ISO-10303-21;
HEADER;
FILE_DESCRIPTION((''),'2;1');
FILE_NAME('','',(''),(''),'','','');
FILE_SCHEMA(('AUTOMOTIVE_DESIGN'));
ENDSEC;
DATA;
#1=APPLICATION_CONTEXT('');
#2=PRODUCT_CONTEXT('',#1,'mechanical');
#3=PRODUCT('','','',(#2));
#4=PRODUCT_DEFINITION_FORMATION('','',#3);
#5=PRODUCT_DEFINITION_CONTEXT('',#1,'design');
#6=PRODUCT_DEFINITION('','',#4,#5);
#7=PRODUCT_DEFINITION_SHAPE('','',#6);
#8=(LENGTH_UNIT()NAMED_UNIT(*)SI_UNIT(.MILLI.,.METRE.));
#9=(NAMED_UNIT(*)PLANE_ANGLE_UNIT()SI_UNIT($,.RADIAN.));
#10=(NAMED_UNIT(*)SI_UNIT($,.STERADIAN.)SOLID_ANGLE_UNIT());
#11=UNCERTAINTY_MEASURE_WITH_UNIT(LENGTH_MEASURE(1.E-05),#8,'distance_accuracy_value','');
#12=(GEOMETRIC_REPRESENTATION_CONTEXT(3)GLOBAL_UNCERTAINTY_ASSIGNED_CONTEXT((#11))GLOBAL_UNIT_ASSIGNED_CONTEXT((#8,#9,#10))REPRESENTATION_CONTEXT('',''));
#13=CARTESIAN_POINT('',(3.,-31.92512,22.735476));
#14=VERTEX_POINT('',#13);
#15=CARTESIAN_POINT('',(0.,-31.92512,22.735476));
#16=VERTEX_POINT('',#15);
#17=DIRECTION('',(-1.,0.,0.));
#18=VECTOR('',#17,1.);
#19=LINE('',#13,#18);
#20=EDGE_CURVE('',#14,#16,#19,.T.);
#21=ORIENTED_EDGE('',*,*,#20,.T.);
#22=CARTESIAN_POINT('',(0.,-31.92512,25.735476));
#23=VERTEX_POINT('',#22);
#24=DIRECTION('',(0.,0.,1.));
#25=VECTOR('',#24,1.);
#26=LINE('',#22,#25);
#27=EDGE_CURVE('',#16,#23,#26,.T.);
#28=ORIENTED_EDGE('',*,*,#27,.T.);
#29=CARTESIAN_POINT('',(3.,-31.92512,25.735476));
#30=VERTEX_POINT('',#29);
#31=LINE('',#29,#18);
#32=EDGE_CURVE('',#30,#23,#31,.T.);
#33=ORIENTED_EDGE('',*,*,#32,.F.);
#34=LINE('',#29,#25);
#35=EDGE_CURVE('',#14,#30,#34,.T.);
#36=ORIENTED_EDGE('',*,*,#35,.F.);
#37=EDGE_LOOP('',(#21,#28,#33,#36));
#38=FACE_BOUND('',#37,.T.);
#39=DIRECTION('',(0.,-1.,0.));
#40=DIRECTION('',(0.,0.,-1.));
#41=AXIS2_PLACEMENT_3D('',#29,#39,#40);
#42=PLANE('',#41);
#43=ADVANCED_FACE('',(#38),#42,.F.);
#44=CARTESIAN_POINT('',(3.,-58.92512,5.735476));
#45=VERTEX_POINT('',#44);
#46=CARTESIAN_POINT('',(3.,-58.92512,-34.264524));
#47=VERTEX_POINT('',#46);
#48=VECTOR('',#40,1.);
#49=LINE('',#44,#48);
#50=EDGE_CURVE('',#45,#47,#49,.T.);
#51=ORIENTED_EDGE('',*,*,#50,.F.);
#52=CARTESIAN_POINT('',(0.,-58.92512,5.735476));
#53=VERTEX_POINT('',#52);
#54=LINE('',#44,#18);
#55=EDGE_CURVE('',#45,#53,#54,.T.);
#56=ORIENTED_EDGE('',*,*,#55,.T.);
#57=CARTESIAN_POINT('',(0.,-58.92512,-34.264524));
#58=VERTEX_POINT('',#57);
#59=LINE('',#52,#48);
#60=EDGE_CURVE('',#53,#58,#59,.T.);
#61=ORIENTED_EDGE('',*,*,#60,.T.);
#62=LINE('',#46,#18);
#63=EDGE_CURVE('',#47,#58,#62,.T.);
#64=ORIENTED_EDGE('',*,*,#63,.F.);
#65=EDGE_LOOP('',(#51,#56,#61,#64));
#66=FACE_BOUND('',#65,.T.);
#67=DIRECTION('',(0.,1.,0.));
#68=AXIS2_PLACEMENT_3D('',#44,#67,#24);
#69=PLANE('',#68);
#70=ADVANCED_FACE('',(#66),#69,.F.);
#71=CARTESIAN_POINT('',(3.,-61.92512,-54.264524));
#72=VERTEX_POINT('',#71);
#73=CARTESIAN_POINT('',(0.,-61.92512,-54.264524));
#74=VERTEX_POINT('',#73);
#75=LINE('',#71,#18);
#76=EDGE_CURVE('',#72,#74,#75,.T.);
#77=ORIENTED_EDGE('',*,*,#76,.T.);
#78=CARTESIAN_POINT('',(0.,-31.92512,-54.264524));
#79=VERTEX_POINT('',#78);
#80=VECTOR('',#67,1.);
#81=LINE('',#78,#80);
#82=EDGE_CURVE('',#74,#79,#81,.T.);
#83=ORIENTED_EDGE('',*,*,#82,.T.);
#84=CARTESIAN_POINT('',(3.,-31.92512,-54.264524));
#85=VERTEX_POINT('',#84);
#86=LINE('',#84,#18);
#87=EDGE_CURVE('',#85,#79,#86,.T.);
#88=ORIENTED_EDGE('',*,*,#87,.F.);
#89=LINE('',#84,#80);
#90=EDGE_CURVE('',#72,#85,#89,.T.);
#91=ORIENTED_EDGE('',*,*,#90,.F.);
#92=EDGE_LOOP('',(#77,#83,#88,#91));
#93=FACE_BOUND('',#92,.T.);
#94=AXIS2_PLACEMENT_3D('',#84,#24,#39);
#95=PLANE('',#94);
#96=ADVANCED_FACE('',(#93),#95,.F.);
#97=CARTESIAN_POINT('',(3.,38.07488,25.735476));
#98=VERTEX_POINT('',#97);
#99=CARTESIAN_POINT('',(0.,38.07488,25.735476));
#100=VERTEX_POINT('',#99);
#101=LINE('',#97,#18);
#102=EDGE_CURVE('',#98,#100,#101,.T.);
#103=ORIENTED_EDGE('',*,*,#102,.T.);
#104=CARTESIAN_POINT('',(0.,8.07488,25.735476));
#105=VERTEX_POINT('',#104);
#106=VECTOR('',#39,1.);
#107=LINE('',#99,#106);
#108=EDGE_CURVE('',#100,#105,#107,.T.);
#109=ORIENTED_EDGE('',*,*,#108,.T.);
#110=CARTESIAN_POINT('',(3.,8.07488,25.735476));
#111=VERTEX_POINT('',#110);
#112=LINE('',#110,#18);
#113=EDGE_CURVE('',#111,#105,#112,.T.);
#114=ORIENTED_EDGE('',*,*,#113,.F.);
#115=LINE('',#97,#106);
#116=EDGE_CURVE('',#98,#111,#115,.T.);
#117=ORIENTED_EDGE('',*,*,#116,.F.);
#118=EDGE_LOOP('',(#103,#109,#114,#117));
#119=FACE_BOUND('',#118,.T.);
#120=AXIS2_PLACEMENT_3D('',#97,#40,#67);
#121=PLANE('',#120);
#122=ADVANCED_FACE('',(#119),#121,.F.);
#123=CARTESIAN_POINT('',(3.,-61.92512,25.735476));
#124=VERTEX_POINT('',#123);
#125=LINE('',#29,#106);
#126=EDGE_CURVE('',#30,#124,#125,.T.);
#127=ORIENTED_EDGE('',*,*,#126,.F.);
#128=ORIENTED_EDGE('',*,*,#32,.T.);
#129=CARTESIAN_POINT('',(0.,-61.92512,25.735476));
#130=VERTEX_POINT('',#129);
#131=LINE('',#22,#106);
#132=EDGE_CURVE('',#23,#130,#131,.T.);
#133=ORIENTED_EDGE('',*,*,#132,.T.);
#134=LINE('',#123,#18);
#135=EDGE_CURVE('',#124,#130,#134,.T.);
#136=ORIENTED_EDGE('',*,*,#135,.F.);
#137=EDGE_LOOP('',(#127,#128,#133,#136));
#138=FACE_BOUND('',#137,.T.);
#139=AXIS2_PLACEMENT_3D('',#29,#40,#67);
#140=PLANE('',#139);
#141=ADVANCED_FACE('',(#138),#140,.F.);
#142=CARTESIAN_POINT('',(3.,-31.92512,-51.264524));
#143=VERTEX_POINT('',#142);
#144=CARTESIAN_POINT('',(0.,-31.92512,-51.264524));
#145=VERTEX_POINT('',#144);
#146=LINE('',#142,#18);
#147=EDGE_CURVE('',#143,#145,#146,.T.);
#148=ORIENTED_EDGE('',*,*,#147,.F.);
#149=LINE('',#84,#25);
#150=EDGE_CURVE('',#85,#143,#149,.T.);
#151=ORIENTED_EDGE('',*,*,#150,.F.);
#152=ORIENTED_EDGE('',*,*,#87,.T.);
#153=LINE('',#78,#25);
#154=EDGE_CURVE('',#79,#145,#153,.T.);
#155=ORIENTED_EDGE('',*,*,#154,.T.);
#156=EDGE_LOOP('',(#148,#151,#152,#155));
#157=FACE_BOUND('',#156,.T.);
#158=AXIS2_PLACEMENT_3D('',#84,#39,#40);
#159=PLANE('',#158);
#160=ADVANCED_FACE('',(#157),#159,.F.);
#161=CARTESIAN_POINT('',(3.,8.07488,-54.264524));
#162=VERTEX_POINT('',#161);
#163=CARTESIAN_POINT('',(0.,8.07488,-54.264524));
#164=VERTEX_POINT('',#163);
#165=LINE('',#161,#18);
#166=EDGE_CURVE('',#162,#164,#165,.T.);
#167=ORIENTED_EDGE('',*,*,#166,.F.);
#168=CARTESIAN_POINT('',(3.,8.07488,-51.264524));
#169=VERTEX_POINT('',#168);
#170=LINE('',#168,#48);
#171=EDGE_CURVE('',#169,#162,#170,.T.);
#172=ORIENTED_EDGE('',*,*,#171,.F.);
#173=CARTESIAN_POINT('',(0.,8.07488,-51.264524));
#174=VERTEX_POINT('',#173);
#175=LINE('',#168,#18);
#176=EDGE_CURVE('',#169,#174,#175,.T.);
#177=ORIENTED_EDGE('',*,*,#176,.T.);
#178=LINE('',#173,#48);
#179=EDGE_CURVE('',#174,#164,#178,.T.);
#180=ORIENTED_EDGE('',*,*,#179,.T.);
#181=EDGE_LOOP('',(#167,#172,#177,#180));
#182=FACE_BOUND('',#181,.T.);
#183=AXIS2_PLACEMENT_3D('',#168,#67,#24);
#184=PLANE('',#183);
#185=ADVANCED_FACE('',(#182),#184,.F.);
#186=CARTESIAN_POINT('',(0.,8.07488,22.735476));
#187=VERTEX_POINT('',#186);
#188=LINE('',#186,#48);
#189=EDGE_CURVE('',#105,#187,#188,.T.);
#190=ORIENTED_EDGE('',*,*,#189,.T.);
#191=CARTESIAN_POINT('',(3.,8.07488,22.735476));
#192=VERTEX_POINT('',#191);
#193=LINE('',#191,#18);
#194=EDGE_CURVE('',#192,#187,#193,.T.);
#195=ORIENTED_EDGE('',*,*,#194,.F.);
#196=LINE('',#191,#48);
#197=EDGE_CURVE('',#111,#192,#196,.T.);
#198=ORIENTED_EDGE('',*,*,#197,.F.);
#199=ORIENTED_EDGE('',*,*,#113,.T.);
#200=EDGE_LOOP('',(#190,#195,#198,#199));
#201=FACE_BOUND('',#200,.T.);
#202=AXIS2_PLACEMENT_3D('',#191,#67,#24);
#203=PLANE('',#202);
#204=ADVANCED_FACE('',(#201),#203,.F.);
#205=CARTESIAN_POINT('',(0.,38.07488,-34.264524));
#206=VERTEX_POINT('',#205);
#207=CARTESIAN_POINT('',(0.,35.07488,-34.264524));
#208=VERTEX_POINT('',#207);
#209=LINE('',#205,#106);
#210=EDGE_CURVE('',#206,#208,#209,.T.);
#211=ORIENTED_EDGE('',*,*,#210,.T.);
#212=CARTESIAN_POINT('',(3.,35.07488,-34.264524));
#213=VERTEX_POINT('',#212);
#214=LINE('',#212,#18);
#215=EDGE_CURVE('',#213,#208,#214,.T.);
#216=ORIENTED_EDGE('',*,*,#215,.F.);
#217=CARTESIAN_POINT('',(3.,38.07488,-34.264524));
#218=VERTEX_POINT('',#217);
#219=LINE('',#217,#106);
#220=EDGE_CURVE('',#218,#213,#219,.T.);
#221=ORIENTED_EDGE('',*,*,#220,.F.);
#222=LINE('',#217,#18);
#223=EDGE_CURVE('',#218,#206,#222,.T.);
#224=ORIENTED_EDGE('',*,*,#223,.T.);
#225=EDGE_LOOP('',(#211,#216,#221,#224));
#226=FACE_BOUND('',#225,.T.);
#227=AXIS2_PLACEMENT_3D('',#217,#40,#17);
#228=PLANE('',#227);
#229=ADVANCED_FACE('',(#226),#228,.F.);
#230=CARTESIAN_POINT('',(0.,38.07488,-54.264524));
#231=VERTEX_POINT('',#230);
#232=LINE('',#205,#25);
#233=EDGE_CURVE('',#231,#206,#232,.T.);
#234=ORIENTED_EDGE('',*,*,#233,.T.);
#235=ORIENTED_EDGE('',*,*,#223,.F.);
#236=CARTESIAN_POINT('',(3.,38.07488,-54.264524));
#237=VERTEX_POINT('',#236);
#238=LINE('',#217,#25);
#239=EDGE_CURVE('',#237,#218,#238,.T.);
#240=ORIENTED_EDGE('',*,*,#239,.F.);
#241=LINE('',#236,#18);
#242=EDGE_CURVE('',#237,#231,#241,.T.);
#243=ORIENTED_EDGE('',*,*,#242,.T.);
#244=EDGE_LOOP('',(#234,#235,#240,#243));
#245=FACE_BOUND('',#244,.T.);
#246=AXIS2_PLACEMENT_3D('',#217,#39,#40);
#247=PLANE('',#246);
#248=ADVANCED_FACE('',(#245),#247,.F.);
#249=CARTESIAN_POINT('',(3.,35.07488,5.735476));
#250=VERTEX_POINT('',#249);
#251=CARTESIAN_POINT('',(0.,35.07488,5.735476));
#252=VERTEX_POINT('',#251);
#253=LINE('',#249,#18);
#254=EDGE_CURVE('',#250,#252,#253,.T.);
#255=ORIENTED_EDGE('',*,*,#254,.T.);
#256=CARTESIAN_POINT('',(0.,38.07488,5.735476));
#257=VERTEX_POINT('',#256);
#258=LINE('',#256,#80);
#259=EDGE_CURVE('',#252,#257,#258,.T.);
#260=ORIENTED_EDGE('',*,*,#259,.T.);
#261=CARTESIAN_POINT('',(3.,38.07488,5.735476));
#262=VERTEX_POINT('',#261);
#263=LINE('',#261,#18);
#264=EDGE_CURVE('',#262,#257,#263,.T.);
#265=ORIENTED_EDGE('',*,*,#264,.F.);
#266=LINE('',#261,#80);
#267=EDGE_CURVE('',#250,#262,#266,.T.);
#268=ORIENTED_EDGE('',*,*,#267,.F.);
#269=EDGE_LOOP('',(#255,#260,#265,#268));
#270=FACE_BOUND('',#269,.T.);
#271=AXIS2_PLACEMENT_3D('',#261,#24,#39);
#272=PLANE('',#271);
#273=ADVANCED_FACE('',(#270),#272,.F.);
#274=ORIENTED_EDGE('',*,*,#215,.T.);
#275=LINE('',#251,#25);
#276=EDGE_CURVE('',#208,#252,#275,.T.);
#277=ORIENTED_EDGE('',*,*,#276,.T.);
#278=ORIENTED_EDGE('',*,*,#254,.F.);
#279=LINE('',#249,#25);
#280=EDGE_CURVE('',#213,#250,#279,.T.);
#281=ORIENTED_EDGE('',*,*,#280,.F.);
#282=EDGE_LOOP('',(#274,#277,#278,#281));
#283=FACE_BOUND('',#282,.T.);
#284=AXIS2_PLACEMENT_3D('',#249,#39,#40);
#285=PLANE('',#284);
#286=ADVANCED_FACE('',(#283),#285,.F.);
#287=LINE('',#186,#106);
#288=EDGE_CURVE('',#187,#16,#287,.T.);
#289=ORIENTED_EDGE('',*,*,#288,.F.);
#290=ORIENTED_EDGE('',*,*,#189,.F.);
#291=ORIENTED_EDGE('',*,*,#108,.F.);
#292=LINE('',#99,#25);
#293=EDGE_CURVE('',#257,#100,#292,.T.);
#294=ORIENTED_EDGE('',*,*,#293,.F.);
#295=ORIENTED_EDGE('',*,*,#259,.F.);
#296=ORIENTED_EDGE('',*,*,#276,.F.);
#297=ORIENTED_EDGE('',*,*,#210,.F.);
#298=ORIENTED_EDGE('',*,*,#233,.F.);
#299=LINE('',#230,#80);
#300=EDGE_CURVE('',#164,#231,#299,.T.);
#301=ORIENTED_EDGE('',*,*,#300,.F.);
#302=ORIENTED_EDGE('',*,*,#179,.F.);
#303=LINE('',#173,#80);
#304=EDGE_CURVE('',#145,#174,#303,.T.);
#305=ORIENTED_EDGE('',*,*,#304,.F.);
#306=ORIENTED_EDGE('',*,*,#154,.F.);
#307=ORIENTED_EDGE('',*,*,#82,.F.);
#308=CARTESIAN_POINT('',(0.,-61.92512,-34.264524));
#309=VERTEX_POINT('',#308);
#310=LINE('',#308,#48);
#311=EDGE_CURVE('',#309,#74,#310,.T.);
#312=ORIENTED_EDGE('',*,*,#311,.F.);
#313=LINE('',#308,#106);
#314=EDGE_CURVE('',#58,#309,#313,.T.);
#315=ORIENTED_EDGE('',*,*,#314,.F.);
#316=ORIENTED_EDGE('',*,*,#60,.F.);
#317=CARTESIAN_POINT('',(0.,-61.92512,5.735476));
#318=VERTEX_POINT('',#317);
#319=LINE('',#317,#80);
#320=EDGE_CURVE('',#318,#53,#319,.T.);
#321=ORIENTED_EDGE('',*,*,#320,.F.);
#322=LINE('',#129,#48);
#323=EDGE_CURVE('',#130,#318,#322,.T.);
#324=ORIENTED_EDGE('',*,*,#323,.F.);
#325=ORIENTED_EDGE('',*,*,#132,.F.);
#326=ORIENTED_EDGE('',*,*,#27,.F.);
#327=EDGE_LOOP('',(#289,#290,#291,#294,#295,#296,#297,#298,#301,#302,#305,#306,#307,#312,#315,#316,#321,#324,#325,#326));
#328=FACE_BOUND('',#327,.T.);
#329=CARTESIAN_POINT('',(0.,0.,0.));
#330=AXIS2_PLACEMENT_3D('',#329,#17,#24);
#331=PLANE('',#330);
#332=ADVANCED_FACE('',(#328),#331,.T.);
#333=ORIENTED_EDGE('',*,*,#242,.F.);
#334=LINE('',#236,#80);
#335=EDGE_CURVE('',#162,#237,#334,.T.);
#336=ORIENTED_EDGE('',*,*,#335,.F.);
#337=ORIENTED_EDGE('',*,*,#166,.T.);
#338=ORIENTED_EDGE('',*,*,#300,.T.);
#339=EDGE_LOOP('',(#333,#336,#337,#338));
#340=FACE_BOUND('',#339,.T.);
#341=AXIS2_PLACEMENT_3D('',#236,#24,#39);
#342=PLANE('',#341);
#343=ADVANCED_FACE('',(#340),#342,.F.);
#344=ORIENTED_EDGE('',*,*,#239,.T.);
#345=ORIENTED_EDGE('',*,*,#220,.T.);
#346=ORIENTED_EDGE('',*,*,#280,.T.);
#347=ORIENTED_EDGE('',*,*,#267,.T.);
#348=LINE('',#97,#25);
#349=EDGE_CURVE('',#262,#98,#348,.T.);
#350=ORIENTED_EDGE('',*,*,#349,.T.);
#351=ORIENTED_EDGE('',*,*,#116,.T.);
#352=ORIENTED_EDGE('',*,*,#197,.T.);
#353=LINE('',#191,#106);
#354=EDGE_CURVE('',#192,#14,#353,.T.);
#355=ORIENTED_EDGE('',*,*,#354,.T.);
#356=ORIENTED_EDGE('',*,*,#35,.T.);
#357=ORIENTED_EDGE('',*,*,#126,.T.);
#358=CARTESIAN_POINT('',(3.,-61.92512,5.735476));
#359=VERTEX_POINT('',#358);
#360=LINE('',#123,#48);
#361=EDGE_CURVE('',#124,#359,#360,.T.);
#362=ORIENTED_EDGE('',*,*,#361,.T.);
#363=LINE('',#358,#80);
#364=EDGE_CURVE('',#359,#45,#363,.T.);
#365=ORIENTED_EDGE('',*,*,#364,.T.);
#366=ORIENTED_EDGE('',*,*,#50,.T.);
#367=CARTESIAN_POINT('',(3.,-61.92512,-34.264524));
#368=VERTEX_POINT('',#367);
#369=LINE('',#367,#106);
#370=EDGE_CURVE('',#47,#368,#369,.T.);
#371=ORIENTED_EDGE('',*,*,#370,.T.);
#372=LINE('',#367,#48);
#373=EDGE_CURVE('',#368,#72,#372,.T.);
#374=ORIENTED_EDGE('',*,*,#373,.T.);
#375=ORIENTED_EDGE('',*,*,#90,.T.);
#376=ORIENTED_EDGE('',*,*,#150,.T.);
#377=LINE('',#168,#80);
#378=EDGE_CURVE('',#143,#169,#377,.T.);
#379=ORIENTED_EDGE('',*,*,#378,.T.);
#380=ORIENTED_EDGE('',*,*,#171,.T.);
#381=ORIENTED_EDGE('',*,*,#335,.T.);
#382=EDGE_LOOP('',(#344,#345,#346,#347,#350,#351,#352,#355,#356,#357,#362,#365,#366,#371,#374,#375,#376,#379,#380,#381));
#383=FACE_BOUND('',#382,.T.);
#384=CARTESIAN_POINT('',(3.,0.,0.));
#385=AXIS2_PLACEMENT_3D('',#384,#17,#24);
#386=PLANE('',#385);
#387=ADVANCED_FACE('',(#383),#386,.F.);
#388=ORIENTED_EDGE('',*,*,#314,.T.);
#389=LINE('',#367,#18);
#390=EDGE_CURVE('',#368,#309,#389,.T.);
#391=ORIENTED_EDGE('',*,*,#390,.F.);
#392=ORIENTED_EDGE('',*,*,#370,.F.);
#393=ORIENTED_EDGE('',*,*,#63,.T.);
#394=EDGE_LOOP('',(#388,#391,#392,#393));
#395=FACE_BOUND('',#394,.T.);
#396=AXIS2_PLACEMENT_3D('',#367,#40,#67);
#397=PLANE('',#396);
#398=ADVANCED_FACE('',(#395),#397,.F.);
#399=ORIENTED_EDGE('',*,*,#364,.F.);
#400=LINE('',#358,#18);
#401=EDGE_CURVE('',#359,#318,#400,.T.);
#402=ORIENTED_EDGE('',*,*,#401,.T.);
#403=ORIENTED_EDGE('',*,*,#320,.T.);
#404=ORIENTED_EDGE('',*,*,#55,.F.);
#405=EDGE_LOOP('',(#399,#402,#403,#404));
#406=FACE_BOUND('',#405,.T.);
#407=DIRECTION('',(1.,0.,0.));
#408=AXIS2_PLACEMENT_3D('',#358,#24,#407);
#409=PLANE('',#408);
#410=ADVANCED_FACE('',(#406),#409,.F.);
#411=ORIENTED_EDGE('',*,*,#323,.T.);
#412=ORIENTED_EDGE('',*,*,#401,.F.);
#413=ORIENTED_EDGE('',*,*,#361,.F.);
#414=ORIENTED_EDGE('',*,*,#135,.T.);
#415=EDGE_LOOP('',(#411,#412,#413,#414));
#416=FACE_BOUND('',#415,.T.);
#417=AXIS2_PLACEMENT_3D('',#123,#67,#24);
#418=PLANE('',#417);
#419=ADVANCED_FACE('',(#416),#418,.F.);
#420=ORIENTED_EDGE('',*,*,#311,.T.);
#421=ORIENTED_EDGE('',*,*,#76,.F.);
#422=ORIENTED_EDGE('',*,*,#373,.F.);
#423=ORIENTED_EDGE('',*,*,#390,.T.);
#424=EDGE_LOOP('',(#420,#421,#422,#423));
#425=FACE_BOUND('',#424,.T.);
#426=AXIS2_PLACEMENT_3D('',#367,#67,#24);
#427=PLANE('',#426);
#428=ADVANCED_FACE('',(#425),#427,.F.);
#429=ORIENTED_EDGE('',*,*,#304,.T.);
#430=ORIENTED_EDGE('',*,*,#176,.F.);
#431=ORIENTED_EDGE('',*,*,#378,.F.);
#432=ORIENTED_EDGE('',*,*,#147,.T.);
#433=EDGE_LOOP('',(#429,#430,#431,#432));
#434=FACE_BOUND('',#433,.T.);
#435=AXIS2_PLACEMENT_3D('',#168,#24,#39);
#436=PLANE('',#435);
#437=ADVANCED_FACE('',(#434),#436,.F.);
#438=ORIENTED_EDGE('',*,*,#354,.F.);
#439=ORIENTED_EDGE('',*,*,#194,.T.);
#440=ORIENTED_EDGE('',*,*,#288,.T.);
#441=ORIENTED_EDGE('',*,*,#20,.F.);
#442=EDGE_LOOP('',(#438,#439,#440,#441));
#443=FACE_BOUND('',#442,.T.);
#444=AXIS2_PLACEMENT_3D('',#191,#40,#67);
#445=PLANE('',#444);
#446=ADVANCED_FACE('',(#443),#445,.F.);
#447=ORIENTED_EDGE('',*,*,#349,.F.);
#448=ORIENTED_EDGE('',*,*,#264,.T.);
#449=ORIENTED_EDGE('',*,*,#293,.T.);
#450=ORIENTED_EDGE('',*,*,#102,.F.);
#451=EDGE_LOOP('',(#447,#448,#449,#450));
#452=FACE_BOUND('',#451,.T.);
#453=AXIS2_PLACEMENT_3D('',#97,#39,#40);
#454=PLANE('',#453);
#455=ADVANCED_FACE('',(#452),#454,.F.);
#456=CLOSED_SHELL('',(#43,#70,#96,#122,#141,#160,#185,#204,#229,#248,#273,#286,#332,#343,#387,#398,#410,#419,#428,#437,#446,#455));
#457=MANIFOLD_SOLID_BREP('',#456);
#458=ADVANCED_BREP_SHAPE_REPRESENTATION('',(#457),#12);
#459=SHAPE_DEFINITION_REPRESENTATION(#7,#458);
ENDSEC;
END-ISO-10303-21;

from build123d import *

# Parameters (mm, degrees)
BOSS_EXTRU_2_DEPTH = 3


with BuildPart() as part:
    # Esquisse1 → Boss.-Extru.2 (new body)
    with BuildSketch(Plane(origin=(0, 0, 0), x_dir=(0, 0, -1), z_dir=(1, 0, 0))):
        Polygon((34.264523911, 38.07488006), (54.264523911, 38.07488006), (54.264523911, 8.07488006), (51.264523911, 8.07488006), (51.264523911, -31.92511994), (54.264523911, -31.92511994), (54.264523911, -61.92511994), (34.264523911, -61.92511994), (34.264523911, -58.92511994), (-5.735476089, -58.92511994), (-5.735476089, -61.92511994), (-25.735476089, -61.92511994), (-25.735476089, -31.92511994), (-22.735476089, -31.92511994), (-22.735476089, 8.07488006), (-25.735476089, 8.07488006), (-25.735476089, 38.07488006), (-5.735476089, 38.07488006), (-5.735476089, 35.07488006), (34.264523911, 35.07488006), align=None)
    extrude(amount=BOSS_EXTRU_2_DEPTH)


solid = part.part
